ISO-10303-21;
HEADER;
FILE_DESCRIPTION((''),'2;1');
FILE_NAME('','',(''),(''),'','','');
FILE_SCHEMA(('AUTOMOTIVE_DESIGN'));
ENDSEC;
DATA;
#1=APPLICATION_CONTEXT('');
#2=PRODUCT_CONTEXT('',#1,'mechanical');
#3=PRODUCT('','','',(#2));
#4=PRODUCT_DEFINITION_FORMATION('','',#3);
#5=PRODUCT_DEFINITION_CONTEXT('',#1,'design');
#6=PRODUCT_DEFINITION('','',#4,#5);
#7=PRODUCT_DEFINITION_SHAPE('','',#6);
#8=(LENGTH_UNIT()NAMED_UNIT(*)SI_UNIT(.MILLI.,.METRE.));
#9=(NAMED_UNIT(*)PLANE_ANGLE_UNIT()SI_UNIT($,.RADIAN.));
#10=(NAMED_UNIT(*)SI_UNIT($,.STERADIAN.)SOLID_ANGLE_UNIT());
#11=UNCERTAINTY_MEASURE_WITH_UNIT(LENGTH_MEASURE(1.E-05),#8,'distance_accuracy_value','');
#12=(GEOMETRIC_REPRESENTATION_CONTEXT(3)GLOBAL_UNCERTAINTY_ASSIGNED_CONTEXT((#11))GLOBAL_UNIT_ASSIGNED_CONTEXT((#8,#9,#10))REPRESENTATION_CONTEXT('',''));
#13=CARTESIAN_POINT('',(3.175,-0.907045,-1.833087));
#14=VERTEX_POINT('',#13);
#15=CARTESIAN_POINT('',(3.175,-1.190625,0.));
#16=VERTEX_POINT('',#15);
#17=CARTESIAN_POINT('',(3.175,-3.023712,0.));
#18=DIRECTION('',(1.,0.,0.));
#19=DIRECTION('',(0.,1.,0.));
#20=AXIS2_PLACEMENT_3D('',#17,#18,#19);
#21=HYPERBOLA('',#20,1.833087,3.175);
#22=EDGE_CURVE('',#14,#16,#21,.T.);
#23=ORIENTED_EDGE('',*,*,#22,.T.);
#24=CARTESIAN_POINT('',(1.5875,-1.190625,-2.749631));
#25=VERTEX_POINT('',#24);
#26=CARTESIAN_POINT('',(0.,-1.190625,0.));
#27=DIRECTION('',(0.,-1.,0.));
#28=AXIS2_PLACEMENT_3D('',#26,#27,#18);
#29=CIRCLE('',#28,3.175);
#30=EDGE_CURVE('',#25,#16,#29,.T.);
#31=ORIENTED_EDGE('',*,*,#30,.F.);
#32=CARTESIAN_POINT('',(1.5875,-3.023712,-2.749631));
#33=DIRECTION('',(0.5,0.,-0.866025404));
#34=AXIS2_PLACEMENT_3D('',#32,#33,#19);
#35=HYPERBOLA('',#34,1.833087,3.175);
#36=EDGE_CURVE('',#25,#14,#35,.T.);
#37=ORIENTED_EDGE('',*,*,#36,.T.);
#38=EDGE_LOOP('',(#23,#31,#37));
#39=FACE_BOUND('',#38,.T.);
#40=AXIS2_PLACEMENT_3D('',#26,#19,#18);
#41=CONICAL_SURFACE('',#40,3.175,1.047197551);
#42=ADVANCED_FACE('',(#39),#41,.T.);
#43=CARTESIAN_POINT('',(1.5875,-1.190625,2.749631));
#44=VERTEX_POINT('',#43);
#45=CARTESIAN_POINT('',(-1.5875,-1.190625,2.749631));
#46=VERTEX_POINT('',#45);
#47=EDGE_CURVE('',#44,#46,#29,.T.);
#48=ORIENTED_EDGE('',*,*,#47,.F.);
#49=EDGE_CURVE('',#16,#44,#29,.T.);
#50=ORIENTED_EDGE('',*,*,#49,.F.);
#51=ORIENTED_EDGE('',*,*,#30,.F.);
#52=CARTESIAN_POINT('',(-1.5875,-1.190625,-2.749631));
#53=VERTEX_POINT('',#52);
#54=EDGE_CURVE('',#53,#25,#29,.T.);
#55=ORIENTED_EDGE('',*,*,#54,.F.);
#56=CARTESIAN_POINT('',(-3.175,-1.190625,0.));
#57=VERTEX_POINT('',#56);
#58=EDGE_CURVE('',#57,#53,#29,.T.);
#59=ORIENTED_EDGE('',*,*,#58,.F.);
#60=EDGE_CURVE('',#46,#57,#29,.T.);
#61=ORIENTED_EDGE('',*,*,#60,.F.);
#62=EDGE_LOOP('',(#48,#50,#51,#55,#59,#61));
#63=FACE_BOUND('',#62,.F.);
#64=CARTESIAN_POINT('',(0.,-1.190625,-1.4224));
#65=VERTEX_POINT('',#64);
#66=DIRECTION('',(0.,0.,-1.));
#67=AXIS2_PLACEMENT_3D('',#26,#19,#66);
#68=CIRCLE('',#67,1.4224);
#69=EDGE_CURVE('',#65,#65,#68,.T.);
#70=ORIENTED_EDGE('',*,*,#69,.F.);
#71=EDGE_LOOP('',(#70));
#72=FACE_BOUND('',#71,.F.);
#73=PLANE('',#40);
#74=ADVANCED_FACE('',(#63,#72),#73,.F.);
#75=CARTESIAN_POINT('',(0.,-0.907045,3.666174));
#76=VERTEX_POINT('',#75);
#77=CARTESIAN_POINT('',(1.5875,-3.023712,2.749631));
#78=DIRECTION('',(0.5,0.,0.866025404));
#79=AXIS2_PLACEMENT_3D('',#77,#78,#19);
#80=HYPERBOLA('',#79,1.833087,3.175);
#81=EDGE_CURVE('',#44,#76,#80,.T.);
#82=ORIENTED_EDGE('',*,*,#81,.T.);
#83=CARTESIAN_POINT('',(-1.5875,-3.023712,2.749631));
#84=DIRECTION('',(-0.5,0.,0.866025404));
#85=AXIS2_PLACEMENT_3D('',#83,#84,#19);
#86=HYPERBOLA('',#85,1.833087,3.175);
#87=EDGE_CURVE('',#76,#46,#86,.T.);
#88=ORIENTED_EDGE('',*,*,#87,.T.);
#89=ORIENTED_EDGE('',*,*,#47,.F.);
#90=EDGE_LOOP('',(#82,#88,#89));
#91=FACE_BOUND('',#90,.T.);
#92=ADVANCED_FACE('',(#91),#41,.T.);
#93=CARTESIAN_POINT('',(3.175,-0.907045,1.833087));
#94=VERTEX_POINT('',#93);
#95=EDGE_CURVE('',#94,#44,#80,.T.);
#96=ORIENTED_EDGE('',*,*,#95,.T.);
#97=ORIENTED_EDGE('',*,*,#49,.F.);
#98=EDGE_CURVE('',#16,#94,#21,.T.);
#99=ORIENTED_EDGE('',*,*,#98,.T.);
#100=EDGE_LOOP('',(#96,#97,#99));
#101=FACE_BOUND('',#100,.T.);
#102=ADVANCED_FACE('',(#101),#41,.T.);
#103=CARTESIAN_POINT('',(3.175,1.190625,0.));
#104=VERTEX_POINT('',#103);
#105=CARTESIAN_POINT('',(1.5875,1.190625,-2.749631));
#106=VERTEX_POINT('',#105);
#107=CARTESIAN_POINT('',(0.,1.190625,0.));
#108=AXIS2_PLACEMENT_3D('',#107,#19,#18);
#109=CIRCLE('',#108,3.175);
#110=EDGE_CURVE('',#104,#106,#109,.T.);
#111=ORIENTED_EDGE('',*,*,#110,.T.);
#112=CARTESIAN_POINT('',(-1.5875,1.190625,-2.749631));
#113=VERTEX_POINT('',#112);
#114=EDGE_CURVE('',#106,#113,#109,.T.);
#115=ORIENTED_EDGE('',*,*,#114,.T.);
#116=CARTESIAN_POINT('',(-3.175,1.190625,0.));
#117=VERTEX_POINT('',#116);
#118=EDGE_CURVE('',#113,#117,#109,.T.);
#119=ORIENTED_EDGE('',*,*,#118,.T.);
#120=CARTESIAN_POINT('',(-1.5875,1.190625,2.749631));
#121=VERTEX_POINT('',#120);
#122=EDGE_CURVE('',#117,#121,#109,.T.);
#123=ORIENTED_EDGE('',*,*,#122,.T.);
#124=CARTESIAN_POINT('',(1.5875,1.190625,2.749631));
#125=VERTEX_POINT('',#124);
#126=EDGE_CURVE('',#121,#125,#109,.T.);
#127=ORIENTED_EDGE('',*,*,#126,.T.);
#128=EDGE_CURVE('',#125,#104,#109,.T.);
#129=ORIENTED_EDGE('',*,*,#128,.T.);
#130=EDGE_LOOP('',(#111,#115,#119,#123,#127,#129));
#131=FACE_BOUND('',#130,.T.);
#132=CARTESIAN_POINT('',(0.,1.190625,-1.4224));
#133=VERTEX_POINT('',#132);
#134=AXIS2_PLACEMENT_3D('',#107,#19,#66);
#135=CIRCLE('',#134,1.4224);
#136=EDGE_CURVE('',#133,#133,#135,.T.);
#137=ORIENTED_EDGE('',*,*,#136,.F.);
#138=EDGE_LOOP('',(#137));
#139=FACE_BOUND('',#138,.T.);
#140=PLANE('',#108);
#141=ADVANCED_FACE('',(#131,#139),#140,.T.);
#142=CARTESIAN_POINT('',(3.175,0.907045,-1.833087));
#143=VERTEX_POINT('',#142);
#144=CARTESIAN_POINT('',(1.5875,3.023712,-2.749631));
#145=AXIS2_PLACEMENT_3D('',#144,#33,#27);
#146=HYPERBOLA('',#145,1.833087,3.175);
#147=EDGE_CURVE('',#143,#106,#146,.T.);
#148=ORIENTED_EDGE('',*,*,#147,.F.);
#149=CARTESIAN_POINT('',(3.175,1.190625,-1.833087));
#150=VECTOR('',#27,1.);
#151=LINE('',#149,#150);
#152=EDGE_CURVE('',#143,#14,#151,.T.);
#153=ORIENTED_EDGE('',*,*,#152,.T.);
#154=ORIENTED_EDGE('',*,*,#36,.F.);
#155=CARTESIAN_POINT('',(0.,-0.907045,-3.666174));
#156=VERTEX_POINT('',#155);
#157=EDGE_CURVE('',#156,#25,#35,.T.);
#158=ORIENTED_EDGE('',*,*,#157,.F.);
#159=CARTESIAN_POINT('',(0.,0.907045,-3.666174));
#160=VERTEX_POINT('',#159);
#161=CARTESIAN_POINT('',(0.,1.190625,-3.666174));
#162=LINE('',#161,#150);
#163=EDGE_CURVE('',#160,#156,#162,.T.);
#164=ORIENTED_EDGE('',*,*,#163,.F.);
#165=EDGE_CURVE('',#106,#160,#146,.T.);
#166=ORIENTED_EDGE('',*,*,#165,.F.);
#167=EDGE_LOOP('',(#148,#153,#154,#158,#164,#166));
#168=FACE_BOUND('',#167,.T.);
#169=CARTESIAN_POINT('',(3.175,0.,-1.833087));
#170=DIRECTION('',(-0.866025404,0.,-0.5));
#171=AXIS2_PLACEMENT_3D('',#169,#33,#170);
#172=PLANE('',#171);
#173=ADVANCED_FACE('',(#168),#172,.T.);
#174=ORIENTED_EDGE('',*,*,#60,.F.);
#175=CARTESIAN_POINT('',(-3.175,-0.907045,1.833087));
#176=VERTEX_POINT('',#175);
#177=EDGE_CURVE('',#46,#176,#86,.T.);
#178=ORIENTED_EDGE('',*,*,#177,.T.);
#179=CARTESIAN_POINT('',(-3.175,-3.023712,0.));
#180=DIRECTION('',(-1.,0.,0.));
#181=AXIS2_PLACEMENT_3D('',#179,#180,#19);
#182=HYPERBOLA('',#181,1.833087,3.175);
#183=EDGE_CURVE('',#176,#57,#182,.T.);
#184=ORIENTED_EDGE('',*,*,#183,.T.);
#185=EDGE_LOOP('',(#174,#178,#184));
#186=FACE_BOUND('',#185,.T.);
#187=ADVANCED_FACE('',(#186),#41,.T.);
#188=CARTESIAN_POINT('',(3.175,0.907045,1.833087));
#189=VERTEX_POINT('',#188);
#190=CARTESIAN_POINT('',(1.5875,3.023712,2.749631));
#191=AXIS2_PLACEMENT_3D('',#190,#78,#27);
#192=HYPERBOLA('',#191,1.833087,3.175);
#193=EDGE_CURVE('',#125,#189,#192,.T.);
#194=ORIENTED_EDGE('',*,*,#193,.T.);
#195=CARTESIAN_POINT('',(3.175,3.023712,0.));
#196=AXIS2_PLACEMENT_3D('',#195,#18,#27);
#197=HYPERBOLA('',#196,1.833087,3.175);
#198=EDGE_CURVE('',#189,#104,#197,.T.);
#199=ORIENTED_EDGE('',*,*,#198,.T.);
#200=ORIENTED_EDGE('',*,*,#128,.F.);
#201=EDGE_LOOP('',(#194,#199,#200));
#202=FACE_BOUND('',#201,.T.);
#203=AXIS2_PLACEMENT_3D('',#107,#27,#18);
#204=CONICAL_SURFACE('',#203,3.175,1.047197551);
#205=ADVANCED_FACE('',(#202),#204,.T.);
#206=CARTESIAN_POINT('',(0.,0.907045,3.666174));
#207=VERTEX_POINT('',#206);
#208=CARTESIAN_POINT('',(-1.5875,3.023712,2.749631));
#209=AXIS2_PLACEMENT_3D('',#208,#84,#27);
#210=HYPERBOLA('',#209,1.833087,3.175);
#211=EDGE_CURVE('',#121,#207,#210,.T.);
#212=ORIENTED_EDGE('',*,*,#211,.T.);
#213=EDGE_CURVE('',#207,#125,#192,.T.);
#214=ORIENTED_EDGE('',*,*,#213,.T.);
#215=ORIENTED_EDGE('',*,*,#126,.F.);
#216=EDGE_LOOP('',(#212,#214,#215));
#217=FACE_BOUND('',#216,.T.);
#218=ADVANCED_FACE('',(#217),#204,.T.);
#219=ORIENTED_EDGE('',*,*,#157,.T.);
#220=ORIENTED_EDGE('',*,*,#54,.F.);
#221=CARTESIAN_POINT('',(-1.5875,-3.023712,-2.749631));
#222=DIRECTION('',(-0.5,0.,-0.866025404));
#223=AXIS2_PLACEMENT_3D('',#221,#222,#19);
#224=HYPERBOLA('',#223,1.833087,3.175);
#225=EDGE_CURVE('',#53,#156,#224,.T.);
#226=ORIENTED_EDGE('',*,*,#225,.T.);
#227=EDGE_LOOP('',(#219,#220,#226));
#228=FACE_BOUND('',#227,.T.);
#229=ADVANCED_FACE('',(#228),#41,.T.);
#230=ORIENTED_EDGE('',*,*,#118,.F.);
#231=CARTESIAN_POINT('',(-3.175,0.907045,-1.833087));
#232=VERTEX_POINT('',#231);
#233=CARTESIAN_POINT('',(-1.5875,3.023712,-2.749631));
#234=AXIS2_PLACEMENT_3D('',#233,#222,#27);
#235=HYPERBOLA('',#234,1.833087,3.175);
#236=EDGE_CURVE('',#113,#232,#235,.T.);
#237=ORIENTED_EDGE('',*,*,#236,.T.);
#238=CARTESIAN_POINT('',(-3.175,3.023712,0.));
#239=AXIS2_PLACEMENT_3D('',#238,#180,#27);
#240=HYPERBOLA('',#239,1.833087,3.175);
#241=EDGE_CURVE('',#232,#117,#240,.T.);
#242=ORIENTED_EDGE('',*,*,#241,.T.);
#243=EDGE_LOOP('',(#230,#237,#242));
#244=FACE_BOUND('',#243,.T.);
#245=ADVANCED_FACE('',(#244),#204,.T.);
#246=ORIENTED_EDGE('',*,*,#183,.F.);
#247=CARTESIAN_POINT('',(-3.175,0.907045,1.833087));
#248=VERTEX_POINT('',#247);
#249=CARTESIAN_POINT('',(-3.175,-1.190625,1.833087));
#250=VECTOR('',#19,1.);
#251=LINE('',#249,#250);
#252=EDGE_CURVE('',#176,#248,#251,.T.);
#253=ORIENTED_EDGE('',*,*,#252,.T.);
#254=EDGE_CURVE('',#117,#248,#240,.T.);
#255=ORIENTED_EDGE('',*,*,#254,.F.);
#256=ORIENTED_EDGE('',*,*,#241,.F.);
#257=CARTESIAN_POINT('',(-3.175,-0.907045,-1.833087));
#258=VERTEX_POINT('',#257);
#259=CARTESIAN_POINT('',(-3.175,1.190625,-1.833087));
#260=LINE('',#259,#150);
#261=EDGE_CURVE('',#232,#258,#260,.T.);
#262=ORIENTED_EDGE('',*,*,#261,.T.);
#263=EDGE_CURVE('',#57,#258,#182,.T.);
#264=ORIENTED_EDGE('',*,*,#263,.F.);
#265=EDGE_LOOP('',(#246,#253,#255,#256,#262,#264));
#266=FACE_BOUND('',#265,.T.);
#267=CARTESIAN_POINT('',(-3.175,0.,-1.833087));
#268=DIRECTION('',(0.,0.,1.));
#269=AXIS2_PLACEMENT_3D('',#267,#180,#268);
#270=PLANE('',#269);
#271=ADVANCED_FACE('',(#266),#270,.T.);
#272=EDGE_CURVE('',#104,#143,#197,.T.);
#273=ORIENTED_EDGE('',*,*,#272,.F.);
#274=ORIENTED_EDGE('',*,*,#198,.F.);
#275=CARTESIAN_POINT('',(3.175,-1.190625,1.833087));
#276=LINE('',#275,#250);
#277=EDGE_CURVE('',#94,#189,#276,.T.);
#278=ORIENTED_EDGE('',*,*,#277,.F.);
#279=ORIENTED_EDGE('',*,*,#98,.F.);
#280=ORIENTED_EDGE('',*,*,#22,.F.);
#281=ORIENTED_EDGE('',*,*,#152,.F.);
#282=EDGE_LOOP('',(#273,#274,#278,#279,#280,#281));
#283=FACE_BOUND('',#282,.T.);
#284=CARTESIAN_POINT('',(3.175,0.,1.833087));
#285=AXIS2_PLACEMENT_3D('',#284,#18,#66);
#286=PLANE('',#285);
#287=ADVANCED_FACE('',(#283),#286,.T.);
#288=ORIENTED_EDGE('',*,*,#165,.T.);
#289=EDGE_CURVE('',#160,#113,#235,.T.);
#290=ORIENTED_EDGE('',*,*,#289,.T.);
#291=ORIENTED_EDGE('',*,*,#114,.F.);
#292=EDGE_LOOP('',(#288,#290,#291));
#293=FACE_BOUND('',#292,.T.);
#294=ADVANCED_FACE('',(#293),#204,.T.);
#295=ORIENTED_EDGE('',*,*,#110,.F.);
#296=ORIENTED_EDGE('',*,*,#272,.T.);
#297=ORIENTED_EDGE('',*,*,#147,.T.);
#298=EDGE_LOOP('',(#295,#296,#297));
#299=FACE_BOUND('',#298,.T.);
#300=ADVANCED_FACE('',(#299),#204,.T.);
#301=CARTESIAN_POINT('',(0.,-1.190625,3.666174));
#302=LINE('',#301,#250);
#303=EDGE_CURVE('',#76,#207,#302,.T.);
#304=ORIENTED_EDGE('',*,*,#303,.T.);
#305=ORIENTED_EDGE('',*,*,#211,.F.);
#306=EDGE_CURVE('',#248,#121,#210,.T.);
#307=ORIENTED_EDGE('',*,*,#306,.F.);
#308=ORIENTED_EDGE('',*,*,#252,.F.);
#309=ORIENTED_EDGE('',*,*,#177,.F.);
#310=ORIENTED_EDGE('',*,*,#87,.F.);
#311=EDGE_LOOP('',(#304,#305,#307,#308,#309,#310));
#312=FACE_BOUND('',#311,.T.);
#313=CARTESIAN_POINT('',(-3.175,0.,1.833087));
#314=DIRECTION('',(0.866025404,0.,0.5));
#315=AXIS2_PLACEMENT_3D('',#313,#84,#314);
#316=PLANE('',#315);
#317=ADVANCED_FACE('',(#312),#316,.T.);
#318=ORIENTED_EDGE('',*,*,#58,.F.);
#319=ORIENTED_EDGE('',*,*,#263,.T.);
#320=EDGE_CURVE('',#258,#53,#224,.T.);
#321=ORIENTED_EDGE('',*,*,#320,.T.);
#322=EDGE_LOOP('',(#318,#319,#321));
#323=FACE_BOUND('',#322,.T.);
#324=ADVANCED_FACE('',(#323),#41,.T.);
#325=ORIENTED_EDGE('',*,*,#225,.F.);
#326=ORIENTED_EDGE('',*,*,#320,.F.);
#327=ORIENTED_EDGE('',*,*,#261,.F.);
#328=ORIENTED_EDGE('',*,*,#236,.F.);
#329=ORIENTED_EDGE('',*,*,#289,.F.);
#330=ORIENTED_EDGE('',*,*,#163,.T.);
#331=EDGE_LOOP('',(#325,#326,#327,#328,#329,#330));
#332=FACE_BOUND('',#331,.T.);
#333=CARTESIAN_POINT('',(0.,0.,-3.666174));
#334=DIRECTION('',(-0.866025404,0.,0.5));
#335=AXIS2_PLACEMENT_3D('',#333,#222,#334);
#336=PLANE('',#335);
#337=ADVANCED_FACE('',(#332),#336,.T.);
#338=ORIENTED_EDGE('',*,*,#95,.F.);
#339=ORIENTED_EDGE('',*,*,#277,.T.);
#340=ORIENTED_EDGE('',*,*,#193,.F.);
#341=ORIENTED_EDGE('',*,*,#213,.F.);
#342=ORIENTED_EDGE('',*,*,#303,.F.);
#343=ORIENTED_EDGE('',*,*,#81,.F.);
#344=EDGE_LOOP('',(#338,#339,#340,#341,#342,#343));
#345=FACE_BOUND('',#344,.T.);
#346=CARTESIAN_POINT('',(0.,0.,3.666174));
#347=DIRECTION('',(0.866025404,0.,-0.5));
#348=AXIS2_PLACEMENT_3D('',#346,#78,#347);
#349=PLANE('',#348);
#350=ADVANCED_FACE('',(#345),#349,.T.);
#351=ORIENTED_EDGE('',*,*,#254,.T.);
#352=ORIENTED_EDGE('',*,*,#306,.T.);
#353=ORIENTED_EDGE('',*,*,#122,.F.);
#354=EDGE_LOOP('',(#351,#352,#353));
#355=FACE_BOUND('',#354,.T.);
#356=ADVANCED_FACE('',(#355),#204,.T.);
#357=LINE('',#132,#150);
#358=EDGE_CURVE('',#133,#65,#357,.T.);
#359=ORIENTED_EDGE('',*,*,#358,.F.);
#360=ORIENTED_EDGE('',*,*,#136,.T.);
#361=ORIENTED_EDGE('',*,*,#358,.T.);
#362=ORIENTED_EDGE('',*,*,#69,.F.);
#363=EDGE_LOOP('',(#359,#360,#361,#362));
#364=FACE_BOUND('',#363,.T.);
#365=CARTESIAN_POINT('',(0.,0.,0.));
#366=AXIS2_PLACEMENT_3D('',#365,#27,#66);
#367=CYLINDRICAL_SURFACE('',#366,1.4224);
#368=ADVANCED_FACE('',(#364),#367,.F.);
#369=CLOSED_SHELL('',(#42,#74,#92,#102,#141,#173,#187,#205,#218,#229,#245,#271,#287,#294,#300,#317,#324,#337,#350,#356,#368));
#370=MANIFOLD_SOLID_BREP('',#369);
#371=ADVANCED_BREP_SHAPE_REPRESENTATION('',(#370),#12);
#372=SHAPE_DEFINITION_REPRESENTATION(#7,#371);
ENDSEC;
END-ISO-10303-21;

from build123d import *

# Parameters (mm, degrees)
SKETCH1_R               = 1.4224
BOSS_EXTRUDE1_DEPTH     = 1.190625
SKETCH5_OUTSIDE_W       = 32.528
SKETCH5_OUTSIDE_H       = 33.51
SKETCH5_OUTSIDE_R       = 3.175
CUT_EXTRUDE2_DEPTH      = 6.402944558
CUT_EXTRUDE2_DRAFT      = -60
MIRROR1_COPY_1_SKETCH_W = 32.528
MIRROR1_COPY_1_SKETCH_H = 33.51
MIRROR1_COPY_1_SKETCH_R = 3.175
MIRROR1_COPY_1_DEPTH    = 6.402944558
MIRROR1_COPY_1_DRAFT    = -60


with BuildPart() as part:
    # Sketch1 → Boss-Extrude1 (new, symmetric)
    with BuildSketch(Plane(origin=(0, 0, 0), x_dir=(1, 0, 0), z_dir=(0, 1, 0))):
        Polygon((-3.175, 1.833087105), (-3.175, -1.833087105), (0, -3.666174209), (3.175, -1.833087105), (3.175, 1.833087105), (0, 3.666174209), align=None)
        Circle(SKETCH1_R, mode=Mode.SUBTRACT)
    extrude(amount=BOSS_EXTRUDE1_DEPTH, both=True)


with BuildPart() as cut_extrude2_tool:
    # Sketch5 outside → Cut-Extrude2 (with draft: the straight prism first)
    with BuildSketch(Plane(origin=(0, 1.190625, 0), x_dir=(1, 0, 0), z_dir=(0, 1, 0))):
        Rectangle(SKETCH5_OUTSIDE_W, SKETCH5_OUTSIDE_H)
        Circle(SKETCH5_OUTSIDE_R, mode=Mode.SUBTRACT)
    extrude(amount=-CUT_EXTRUDE2_DEPTH)
    # Cut-Extrude2: the draft: its side faces are tilted about the plane it starts from
    cut_extrude2_sides = [cut_extrude2_tool.faces().sort_by_distance(p)[0] for p in [
        (0, -2.010847279, 16.755),
        (16.264, -2.010847279, 0),
        (0, -2.010847279, -16.755),
        (-16.264, -2.010847279, 0),
        (-3.175, -2.010847279, 0),
    ]]
    draft(cut_extrude2_sides, Plane(origin=(0, 1.190625, 0), x_dir=(1, 0, 0), z_dir=(0, 1, 0)), CUT_EXTRUDE2_DRAFT)


with BuildPart() as part_1:
    add(part.part)

    # Cut-Extrude2: cut by cut_extrude2_tool
    add(cut_extrude2_tool.part, mode=Mode.SUBTRACT)


with BuildPart() as mirror1_copy_1_tool:
    # Mirror1 copy 1 sketch → Mirror1 copy 1 (with draft: the straight prism first)
    with BuildSketch(Plane.XZ.offset(1.190625)):
        Rectangle(MIRROR1_COPY_1_SKETCH_W, MIRROR1_COPY_1_SKETCH_H)
        Circle(MIRROR1_COPY_1_SKETCH_R, mode=Mode.SUBTRACT)
    extrude(amount=-MIRROR1_COPY_1_DEPTH)
    # Mirror1 copy 1: the draft: its side faces are tilted about the plane it starts from
    mirror1_copy_1_sides = [mirror1_copy_1_tool.faces().sort_by_distance(p)[0] for p in [
        (0, 2.010847279, 16.755),
        (16.264, 2.010847279, 0),
        (0, 2.010847279, -16.755),
        (-16.264, 2.010847279, 0),
        (-3.175, 2.010847279, 0),
    ]]
    draft(mirror1_copy_1_sides, Plane.XZ.offset(1.190625), MIRROR1_COPY_1_DRAFT)


with BuildPart() as part_2:
    add(part_1.part)

    # Mirror1 copy 1: cut by mirror1_copy_1_tool
    add(mirror1_copy_1_tool.part, mode=Mode.SUBTRACT)


solid = part_2.part
